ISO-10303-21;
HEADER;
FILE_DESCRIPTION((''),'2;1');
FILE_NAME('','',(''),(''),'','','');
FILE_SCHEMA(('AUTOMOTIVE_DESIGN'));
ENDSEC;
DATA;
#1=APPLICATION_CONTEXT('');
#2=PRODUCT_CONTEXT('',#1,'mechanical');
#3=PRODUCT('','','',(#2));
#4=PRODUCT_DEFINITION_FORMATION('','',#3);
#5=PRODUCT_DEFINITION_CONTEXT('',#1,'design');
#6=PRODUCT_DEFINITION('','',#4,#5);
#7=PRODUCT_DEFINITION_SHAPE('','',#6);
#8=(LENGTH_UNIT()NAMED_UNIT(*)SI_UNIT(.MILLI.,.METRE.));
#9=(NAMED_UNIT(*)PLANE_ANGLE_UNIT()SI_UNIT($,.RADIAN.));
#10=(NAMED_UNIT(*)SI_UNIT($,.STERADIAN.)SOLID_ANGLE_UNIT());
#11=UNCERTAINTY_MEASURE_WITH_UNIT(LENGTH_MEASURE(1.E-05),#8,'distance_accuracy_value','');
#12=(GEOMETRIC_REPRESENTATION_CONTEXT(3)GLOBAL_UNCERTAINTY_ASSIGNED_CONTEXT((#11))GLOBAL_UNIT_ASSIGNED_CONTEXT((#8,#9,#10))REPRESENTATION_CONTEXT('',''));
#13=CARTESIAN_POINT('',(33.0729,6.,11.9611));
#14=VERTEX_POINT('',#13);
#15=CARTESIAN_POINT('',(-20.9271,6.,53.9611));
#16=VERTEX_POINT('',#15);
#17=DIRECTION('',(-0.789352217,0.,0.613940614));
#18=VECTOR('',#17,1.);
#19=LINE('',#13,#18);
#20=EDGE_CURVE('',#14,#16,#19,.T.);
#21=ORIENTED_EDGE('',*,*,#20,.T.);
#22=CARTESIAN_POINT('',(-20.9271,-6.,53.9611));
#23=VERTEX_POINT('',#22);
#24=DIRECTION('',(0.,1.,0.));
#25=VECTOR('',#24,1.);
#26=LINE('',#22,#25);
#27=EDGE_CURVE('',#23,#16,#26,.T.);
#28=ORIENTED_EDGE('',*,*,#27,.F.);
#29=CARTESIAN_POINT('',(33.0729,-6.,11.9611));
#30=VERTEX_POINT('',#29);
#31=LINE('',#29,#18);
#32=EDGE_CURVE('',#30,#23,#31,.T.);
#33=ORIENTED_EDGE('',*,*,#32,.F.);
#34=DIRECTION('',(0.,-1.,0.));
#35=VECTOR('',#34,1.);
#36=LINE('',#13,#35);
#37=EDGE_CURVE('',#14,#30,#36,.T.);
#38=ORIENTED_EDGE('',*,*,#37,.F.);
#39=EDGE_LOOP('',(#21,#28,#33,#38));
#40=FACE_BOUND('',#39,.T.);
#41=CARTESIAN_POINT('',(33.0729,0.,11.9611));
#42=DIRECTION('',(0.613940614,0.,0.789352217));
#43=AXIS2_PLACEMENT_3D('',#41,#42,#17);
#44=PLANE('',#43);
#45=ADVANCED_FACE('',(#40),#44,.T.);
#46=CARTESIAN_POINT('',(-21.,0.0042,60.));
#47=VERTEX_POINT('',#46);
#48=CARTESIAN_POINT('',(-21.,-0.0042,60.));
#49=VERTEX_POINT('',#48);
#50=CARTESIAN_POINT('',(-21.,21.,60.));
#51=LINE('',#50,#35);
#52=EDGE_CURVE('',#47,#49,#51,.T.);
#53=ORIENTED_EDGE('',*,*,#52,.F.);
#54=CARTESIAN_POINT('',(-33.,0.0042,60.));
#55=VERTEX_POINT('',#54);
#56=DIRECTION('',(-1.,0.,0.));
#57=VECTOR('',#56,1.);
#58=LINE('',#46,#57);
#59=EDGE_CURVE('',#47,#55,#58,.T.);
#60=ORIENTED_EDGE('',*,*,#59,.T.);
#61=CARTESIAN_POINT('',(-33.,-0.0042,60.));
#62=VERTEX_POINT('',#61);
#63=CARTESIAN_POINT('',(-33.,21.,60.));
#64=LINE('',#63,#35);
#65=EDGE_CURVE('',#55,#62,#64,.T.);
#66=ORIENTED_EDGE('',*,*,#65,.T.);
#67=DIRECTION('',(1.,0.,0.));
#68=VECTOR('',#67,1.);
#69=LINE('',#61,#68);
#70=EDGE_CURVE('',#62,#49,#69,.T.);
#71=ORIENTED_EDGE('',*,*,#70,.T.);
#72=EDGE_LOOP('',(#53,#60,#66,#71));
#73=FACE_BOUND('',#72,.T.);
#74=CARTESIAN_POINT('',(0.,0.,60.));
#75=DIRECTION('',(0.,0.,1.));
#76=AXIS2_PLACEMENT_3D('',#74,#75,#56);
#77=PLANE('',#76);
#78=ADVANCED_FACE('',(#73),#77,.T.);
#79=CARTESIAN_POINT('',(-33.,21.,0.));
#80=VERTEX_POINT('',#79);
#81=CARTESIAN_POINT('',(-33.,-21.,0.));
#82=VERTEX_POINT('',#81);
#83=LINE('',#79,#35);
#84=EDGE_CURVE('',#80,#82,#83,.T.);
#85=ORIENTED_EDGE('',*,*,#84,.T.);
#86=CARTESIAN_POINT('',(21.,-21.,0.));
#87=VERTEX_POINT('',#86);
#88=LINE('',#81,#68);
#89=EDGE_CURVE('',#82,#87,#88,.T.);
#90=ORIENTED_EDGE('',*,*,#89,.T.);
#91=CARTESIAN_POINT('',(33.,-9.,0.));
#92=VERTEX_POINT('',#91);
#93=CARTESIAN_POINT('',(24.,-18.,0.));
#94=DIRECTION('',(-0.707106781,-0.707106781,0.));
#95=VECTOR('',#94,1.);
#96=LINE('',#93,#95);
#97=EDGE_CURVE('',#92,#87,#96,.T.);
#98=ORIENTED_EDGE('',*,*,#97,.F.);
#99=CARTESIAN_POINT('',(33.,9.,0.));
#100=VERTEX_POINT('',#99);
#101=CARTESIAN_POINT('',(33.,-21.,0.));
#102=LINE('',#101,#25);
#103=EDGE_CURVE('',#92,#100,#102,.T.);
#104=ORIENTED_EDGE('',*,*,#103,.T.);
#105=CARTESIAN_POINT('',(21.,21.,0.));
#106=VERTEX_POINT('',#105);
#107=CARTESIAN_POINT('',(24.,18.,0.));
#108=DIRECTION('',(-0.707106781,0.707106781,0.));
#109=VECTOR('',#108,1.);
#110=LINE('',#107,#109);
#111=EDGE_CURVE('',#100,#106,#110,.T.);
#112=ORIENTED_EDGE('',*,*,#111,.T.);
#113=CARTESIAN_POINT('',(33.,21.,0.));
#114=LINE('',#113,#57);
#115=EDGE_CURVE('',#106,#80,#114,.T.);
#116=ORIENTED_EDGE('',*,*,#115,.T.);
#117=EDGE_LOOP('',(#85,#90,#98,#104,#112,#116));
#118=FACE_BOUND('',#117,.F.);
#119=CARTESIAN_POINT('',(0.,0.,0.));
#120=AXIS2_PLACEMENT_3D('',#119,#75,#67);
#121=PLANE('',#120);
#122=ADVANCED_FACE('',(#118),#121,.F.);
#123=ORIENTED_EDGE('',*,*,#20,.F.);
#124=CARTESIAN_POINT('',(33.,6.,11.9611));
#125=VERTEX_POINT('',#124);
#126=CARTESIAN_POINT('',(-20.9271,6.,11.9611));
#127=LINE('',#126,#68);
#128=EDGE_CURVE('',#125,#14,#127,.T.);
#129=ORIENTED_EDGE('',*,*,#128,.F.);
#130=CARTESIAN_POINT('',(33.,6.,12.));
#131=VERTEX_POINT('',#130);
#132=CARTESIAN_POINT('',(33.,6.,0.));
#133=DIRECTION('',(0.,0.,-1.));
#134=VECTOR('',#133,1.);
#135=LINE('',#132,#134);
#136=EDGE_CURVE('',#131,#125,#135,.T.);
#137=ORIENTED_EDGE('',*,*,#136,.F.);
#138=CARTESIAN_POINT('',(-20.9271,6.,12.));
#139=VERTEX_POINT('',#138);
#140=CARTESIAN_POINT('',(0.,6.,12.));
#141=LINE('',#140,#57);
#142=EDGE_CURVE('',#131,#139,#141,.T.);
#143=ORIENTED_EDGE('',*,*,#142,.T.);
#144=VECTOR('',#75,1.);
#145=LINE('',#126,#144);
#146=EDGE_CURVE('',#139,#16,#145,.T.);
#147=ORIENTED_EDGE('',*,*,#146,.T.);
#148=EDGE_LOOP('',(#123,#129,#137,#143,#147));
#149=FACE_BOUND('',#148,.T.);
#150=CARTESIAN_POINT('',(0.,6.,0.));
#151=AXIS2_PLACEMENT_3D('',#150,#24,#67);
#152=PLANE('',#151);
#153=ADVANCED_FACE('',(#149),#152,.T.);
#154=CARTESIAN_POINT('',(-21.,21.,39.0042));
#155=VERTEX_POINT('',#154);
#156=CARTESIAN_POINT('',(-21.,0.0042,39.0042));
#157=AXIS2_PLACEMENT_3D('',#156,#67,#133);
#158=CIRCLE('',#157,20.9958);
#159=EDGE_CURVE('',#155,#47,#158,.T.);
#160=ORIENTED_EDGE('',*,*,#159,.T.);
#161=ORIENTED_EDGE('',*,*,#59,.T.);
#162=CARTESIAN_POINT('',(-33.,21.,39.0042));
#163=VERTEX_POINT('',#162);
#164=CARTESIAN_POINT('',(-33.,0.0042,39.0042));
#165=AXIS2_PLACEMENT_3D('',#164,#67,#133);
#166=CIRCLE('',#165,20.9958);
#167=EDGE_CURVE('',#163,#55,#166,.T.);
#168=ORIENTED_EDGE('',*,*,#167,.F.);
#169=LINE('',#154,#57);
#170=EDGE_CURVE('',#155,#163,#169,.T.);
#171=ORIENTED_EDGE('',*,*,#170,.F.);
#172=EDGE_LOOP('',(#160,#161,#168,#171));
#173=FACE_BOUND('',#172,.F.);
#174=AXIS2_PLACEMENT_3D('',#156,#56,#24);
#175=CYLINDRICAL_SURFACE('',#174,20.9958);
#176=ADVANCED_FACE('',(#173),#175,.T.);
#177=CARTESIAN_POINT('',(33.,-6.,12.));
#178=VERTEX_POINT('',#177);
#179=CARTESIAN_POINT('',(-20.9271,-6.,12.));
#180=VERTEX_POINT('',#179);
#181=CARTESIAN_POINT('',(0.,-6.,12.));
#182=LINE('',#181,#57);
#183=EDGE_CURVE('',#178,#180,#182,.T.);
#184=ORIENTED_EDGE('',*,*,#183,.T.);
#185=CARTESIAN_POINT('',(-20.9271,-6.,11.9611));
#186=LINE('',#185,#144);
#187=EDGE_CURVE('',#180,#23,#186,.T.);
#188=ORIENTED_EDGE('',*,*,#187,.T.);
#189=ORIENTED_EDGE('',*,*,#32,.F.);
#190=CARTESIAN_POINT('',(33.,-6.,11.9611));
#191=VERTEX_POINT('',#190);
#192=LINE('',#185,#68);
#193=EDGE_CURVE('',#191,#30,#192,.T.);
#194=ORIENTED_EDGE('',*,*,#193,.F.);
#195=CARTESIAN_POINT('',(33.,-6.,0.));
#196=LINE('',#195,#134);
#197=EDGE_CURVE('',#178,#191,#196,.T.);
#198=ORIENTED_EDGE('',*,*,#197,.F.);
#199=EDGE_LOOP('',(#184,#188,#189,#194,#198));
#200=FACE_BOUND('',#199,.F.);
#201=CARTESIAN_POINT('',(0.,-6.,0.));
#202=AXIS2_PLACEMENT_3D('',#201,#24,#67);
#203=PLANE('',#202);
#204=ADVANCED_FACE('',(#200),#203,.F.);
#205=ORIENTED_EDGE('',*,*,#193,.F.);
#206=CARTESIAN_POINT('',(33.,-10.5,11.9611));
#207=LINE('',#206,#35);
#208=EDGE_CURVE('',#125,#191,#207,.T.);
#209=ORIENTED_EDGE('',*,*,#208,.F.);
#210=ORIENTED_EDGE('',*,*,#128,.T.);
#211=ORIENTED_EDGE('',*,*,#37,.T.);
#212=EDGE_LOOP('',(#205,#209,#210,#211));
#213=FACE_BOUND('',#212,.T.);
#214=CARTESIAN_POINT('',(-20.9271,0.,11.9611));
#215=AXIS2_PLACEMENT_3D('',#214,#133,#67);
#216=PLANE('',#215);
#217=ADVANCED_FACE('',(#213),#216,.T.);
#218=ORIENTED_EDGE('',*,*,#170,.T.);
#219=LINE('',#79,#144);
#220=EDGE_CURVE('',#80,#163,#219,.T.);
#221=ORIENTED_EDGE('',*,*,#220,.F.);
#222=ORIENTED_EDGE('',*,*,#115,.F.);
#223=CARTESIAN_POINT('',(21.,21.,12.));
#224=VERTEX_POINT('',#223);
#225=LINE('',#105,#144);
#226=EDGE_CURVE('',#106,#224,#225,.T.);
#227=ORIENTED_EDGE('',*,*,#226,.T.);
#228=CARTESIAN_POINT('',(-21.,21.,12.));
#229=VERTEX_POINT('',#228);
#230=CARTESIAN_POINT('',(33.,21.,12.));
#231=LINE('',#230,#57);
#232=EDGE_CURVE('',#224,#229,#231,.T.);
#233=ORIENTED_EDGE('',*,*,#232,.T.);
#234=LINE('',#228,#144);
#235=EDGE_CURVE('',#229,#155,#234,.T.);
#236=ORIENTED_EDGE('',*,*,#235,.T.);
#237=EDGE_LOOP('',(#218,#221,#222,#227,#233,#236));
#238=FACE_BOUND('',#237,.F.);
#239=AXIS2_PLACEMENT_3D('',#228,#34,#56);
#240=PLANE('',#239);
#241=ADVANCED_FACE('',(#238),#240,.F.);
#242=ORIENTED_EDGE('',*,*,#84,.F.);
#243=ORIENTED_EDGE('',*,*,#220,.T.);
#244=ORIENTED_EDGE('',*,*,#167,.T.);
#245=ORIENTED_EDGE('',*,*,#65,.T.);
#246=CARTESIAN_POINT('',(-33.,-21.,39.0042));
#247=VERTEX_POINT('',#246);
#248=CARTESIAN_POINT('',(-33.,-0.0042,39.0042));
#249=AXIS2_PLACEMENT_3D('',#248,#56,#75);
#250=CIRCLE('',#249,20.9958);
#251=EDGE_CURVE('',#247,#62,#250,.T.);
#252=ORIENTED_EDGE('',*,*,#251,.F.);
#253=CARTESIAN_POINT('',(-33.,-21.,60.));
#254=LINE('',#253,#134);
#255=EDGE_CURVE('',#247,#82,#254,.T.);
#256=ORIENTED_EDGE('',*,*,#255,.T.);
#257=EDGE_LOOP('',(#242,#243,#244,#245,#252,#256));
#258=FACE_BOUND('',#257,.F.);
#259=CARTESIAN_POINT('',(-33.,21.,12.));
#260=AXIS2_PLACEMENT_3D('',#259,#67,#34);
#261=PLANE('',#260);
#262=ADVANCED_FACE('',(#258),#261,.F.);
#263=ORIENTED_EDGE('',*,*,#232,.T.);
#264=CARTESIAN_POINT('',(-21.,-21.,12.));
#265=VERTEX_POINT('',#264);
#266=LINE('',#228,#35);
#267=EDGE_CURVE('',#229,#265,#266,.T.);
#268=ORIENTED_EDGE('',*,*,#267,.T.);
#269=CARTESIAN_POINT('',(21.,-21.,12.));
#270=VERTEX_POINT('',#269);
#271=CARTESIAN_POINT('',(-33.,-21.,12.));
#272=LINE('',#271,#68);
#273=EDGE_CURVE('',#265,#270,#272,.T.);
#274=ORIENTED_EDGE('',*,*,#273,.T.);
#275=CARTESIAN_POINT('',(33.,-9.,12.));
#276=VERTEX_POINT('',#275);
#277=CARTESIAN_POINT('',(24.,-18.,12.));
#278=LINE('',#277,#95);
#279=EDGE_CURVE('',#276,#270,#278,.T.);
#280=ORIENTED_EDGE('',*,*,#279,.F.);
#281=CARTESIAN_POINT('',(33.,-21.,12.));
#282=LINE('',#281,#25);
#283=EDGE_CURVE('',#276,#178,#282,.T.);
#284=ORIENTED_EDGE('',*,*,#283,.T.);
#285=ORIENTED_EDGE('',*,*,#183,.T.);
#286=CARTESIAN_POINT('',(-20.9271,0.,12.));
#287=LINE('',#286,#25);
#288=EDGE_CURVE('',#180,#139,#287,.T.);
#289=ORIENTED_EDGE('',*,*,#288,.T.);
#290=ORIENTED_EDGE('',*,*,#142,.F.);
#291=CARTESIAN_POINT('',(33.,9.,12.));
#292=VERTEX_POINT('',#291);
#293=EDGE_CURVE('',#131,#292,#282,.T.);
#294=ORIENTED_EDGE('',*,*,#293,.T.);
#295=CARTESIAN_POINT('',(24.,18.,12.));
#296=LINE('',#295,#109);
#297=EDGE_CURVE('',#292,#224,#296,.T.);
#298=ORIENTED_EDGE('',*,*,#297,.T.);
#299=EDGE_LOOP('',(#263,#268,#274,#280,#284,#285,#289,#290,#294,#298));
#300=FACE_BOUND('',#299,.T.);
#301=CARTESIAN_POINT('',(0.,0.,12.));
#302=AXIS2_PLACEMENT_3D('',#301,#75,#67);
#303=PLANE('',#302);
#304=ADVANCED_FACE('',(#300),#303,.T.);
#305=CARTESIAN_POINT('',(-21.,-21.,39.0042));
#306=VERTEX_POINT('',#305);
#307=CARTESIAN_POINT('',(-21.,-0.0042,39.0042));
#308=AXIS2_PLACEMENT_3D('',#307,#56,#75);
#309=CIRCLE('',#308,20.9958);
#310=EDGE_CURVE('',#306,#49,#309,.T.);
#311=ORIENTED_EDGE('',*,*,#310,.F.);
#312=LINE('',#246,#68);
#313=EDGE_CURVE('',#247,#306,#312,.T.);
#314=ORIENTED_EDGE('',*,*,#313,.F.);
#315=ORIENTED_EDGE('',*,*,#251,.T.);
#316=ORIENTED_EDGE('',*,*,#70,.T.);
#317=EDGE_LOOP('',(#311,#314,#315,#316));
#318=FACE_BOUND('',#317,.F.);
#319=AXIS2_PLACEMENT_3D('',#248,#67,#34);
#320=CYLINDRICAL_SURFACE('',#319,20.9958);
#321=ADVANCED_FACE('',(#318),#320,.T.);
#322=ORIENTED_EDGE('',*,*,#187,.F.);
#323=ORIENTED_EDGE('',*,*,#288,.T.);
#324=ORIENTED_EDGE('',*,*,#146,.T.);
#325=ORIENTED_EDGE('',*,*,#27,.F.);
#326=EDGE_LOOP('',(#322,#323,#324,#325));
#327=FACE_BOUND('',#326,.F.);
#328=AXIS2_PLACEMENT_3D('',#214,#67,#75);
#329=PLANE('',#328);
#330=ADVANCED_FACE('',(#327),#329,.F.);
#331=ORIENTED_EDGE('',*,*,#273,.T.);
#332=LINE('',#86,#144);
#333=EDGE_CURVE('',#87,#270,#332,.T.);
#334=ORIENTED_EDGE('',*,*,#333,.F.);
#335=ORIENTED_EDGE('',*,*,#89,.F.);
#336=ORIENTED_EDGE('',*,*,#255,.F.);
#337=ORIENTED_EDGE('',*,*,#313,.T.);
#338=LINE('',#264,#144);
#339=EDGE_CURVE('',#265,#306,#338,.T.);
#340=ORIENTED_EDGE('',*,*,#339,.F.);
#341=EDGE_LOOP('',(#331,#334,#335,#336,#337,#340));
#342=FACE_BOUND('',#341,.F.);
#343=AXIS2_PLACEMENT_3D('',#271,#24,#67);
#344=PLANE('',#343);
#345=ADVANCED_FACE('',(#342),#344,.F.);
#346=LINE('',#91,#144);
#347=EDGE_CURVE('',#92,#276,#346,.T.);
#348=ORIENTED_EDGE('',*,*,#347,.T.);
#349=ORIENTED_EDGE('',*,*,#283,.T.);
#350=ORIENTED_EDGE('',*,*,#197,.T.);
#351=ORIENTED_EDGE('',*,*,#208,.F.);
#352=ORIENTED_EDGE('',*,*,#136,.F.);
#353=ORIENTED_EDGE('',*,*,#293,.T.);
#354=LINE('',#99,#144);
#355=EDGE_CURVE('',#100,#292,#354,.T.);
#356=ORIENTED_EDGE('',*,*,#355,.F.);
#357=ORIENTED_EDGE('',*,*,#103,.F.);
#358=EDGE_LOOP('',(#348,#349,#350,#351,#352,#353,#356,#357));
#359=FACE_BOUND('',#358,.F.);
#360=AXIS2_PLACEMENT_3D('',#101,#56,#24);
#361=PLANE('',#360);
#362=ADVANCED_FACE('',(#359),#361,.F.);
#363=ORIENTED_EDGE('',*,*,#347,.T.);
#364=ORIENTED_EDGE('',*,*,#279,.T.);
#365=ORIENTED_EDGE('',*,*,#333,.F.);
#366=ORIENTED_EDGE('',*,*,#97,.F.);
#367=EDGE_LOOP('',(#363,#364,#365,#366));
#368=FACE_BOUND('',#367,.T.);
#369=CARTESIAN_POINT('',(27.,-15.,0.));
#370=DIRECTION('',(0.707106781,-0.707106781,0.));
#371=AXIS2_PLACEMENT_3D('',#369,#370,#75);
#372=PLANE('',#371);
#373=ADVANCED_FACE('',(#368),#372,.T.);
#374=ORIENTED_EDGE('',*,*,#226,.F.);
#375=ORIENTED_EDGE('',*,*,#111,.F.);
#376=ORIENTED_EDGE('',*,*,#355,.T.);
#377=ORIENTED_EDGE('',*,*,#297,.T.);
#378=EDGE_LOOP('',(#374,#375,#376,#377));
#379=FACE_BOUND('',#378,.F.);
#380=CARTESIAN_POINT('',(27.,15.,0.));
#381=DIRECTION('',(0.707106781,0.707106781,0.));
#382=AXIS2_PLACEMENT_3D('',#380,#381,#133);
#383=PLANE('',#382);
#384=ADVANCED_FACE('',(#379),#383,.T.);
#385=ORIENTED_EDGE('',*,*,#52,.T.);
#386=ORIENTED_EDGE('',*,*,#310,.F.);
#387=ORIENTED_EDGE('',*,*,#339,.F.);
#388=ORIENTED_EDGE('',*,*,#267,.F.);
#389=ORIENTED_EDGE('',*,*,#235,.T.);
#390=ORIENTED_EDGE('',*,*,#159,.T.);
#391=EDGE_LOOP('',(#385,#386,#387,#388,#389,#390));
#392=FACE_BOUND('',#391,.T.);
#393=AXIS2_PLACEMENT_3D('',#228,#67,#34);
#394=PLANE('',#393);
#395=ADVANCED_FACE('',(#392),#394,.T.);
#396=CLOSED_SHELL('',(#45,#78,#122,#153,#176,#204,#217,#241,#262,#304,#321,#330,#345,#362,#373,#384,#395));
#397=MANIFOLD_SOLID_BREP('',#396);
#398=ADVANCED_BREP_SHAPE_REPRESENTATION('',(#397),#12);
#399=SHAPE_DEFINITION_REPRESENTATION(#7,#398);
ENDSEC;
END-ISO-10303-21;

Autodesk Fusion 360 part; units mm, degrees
sketch "Sketch1" plane through (0, 0, 0) normal (0, 0, 1) x (1, 0, 0)
  line L0 (33, 21) -> (-33, 21)
  line L1 (-33, 21) -> (-33, -21)
  line L2 (-33, -21) -> (33, -21)
  line L3 (33, -21) -> (33, 21)
  line L4 (33, 21) -> (-33, -21) construction
  line L5 (-33, 21) -> (33, -21) construction
  dimension "d1" = 66
  dimension "d2" = 42
extrude "Extrude1" add sketch "Sketch1" along normal blind 12
chamfer "Chamfer1" distance 12 angle 45 2 edges at (33, -21, 6) (33, 21, 6)
sketch "Sketch2" plane through (0, 0, 12) normal (0, 0, 1) x (-1, 0, 0)
  line L0 (-33, -9) -> (-21, -21)
  line L1 (-21, -21) -> (33, -21)
  line L2 (33, -21) -> (33, 21)
  line L3 (33, 21) -> (-21, 21)
  line L4 (-21, 21) -> (-33, 9)
  line L5 (-33, 9) -> (-33, -9)
  line L6 (33, -21) -> (21, -21)
  line L7 (21, -21) -> (21, 21)
  line L8 (21, 21) -> (33, 21)
  line L9 (33, 21) -> (33, -21)
  dimension "d6" = 12
extrude "Extrude2" add sketch "Sketch2" along normal blind 48 contours L1 L2 L3 L6 L7 L8 L9
fillet "Fillet1" radius 21 2 edges at (-27, -21, 60) (-27, 21, 60)
sketch "Sketch3" plane through (0, 0, 0) normal (0, 1, 0) x (1, 0, 0)
  line L0 (-20.9271, -11.9611) -> (-20.9271, -53.9611)
  line L1 (-20.9271, -11.9611) -> (33.0729, -11.9611)
  line L2 (33.0729, -11.9611) -> (-20.9271, -53.9611)
  dimension "d11" = 42
  dimension "d12" = 54
extrude "Extrude3" add sketch "Sketch3" along normal mid plane 12
equation "d7 = 60 mm - 12 mm"
equation "d12 = 66 mm - 12 mm"
